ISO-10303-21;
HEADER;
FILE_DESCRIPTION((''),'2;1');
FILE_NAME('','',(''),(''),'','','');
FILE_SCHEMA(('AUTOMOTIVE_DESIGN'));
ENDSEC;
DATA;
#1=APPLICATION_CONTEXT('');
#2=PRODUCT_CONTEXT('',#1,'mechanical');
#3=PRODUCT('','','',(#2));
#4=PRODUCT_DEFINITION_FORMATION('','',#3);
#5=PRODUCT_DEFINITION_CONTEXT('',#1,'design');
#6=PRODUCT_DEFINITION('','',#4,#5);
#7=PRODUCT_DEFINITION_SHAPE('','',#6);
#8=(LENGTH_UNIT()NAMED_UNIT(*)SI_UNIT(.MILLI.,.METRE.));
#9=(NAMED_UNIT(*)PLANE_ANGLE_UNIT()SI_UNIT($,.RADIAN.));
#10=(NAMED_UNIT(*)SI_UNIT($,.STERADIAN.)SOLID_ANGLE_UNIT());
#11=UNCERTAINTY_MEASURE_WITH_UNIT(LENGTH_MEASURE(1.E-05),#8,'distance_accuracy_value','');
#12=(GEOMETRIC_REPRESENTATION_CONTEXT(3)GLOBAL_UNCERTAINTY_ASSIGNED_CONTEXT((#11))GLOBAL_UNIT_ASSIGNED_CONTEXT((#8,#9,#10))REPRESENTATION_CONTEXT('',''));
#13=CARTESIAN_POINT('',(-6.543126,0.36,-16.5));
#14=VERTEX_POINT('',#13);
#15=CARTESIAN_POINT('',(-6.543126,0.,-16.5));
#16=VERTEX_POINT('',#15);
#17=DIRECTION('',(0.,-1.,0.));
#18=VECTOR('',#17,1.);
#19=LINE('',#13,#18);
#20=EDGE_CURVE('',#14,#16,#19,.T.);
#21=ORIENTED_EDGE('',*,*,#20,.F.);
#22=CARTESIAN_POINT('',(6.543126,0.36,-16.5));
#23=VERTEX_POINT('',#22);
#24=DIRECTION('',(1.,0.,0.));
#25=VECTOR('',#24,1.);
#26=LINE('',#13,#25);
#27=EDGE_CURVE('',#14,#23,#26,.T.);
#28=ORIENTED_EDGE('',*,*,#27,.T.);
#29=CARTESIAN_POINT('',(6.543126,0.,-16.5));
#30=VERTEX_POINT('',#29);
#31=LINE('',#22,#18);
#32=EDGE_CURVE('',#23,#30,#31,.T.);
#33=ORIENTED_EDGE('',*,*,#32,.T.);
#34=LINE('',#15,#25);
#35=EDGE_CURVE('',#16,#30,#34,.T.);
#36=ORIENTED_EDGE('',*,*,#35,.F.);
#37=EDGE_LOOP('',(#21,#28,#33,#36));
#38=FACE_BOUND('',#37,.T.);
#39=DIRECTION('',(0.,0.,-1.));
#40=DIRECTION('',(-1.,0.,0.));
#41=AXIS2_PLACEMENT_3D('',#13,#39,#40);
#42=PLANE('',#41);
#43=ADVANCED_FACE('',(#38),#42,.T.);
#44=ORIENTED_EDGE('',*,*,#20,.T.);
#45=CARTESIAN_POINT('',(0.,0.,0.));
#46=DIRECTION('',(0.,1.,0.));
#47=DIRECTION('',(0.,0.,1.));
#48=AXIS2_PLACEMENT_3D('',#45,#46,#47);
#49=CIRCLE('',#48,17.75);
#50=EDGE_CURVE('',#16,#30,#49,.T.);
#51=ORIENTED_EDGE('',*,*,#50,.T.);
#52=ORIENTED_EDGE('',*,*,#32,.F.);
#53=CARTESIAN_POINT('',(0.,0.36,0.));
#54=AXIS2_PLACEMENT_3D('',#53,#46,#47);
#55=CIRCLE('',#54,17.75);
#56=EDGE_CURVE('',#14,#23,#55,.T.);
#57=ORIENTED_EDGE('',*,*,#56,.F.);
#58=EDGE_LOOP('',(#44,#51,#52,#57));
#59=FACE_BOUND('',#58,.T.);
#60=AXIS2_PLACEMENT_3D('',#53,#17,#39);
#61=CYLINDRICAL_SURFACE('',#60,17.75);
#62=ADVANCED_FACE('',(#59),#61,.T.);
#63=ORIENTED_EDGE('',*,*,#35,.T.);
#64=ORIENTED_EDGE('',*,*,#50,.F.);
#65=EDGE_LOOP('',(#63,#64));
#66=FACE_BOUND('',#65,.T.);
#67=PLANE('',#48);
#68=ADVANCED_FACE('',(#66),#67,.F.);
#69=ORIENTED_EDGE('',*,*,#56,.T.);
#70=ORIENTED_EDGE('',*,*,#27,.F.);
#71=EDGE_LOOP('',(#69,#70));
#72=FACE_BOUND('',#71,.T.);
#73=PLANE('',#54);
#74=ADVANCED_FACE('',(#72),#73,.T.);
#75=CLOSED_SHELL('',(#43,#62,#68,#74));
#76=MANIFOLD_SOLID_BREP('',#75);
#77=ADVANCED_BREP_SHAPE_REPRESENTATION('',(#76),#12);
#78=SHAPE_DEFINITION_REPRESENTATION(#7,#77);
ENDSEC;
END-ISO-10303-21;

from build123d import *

# Parameters (mm, degrees)
BOSS_EXTRUDE1_DEPTH = 0.36


with BuildPart() as part:
    # Sketch1 → Boss-Extrude1 (new body)
    with BuildSketch(Plane(origin=(0, 0, 0), x_dir=(1, 0, 0), z_dir=(0, 1, 0))):
        with BuildLine():
            Line((-6.543126164, 16.5), (6.543126164, 16.5))
            ThreePointArc((6.543126164, 16.5), (0, -17.75), (-6.543126164, 16.5))
        make_face()
    extrude(amount=BOSS_EXTRUDE1_DEPTH)


solid = part.part
